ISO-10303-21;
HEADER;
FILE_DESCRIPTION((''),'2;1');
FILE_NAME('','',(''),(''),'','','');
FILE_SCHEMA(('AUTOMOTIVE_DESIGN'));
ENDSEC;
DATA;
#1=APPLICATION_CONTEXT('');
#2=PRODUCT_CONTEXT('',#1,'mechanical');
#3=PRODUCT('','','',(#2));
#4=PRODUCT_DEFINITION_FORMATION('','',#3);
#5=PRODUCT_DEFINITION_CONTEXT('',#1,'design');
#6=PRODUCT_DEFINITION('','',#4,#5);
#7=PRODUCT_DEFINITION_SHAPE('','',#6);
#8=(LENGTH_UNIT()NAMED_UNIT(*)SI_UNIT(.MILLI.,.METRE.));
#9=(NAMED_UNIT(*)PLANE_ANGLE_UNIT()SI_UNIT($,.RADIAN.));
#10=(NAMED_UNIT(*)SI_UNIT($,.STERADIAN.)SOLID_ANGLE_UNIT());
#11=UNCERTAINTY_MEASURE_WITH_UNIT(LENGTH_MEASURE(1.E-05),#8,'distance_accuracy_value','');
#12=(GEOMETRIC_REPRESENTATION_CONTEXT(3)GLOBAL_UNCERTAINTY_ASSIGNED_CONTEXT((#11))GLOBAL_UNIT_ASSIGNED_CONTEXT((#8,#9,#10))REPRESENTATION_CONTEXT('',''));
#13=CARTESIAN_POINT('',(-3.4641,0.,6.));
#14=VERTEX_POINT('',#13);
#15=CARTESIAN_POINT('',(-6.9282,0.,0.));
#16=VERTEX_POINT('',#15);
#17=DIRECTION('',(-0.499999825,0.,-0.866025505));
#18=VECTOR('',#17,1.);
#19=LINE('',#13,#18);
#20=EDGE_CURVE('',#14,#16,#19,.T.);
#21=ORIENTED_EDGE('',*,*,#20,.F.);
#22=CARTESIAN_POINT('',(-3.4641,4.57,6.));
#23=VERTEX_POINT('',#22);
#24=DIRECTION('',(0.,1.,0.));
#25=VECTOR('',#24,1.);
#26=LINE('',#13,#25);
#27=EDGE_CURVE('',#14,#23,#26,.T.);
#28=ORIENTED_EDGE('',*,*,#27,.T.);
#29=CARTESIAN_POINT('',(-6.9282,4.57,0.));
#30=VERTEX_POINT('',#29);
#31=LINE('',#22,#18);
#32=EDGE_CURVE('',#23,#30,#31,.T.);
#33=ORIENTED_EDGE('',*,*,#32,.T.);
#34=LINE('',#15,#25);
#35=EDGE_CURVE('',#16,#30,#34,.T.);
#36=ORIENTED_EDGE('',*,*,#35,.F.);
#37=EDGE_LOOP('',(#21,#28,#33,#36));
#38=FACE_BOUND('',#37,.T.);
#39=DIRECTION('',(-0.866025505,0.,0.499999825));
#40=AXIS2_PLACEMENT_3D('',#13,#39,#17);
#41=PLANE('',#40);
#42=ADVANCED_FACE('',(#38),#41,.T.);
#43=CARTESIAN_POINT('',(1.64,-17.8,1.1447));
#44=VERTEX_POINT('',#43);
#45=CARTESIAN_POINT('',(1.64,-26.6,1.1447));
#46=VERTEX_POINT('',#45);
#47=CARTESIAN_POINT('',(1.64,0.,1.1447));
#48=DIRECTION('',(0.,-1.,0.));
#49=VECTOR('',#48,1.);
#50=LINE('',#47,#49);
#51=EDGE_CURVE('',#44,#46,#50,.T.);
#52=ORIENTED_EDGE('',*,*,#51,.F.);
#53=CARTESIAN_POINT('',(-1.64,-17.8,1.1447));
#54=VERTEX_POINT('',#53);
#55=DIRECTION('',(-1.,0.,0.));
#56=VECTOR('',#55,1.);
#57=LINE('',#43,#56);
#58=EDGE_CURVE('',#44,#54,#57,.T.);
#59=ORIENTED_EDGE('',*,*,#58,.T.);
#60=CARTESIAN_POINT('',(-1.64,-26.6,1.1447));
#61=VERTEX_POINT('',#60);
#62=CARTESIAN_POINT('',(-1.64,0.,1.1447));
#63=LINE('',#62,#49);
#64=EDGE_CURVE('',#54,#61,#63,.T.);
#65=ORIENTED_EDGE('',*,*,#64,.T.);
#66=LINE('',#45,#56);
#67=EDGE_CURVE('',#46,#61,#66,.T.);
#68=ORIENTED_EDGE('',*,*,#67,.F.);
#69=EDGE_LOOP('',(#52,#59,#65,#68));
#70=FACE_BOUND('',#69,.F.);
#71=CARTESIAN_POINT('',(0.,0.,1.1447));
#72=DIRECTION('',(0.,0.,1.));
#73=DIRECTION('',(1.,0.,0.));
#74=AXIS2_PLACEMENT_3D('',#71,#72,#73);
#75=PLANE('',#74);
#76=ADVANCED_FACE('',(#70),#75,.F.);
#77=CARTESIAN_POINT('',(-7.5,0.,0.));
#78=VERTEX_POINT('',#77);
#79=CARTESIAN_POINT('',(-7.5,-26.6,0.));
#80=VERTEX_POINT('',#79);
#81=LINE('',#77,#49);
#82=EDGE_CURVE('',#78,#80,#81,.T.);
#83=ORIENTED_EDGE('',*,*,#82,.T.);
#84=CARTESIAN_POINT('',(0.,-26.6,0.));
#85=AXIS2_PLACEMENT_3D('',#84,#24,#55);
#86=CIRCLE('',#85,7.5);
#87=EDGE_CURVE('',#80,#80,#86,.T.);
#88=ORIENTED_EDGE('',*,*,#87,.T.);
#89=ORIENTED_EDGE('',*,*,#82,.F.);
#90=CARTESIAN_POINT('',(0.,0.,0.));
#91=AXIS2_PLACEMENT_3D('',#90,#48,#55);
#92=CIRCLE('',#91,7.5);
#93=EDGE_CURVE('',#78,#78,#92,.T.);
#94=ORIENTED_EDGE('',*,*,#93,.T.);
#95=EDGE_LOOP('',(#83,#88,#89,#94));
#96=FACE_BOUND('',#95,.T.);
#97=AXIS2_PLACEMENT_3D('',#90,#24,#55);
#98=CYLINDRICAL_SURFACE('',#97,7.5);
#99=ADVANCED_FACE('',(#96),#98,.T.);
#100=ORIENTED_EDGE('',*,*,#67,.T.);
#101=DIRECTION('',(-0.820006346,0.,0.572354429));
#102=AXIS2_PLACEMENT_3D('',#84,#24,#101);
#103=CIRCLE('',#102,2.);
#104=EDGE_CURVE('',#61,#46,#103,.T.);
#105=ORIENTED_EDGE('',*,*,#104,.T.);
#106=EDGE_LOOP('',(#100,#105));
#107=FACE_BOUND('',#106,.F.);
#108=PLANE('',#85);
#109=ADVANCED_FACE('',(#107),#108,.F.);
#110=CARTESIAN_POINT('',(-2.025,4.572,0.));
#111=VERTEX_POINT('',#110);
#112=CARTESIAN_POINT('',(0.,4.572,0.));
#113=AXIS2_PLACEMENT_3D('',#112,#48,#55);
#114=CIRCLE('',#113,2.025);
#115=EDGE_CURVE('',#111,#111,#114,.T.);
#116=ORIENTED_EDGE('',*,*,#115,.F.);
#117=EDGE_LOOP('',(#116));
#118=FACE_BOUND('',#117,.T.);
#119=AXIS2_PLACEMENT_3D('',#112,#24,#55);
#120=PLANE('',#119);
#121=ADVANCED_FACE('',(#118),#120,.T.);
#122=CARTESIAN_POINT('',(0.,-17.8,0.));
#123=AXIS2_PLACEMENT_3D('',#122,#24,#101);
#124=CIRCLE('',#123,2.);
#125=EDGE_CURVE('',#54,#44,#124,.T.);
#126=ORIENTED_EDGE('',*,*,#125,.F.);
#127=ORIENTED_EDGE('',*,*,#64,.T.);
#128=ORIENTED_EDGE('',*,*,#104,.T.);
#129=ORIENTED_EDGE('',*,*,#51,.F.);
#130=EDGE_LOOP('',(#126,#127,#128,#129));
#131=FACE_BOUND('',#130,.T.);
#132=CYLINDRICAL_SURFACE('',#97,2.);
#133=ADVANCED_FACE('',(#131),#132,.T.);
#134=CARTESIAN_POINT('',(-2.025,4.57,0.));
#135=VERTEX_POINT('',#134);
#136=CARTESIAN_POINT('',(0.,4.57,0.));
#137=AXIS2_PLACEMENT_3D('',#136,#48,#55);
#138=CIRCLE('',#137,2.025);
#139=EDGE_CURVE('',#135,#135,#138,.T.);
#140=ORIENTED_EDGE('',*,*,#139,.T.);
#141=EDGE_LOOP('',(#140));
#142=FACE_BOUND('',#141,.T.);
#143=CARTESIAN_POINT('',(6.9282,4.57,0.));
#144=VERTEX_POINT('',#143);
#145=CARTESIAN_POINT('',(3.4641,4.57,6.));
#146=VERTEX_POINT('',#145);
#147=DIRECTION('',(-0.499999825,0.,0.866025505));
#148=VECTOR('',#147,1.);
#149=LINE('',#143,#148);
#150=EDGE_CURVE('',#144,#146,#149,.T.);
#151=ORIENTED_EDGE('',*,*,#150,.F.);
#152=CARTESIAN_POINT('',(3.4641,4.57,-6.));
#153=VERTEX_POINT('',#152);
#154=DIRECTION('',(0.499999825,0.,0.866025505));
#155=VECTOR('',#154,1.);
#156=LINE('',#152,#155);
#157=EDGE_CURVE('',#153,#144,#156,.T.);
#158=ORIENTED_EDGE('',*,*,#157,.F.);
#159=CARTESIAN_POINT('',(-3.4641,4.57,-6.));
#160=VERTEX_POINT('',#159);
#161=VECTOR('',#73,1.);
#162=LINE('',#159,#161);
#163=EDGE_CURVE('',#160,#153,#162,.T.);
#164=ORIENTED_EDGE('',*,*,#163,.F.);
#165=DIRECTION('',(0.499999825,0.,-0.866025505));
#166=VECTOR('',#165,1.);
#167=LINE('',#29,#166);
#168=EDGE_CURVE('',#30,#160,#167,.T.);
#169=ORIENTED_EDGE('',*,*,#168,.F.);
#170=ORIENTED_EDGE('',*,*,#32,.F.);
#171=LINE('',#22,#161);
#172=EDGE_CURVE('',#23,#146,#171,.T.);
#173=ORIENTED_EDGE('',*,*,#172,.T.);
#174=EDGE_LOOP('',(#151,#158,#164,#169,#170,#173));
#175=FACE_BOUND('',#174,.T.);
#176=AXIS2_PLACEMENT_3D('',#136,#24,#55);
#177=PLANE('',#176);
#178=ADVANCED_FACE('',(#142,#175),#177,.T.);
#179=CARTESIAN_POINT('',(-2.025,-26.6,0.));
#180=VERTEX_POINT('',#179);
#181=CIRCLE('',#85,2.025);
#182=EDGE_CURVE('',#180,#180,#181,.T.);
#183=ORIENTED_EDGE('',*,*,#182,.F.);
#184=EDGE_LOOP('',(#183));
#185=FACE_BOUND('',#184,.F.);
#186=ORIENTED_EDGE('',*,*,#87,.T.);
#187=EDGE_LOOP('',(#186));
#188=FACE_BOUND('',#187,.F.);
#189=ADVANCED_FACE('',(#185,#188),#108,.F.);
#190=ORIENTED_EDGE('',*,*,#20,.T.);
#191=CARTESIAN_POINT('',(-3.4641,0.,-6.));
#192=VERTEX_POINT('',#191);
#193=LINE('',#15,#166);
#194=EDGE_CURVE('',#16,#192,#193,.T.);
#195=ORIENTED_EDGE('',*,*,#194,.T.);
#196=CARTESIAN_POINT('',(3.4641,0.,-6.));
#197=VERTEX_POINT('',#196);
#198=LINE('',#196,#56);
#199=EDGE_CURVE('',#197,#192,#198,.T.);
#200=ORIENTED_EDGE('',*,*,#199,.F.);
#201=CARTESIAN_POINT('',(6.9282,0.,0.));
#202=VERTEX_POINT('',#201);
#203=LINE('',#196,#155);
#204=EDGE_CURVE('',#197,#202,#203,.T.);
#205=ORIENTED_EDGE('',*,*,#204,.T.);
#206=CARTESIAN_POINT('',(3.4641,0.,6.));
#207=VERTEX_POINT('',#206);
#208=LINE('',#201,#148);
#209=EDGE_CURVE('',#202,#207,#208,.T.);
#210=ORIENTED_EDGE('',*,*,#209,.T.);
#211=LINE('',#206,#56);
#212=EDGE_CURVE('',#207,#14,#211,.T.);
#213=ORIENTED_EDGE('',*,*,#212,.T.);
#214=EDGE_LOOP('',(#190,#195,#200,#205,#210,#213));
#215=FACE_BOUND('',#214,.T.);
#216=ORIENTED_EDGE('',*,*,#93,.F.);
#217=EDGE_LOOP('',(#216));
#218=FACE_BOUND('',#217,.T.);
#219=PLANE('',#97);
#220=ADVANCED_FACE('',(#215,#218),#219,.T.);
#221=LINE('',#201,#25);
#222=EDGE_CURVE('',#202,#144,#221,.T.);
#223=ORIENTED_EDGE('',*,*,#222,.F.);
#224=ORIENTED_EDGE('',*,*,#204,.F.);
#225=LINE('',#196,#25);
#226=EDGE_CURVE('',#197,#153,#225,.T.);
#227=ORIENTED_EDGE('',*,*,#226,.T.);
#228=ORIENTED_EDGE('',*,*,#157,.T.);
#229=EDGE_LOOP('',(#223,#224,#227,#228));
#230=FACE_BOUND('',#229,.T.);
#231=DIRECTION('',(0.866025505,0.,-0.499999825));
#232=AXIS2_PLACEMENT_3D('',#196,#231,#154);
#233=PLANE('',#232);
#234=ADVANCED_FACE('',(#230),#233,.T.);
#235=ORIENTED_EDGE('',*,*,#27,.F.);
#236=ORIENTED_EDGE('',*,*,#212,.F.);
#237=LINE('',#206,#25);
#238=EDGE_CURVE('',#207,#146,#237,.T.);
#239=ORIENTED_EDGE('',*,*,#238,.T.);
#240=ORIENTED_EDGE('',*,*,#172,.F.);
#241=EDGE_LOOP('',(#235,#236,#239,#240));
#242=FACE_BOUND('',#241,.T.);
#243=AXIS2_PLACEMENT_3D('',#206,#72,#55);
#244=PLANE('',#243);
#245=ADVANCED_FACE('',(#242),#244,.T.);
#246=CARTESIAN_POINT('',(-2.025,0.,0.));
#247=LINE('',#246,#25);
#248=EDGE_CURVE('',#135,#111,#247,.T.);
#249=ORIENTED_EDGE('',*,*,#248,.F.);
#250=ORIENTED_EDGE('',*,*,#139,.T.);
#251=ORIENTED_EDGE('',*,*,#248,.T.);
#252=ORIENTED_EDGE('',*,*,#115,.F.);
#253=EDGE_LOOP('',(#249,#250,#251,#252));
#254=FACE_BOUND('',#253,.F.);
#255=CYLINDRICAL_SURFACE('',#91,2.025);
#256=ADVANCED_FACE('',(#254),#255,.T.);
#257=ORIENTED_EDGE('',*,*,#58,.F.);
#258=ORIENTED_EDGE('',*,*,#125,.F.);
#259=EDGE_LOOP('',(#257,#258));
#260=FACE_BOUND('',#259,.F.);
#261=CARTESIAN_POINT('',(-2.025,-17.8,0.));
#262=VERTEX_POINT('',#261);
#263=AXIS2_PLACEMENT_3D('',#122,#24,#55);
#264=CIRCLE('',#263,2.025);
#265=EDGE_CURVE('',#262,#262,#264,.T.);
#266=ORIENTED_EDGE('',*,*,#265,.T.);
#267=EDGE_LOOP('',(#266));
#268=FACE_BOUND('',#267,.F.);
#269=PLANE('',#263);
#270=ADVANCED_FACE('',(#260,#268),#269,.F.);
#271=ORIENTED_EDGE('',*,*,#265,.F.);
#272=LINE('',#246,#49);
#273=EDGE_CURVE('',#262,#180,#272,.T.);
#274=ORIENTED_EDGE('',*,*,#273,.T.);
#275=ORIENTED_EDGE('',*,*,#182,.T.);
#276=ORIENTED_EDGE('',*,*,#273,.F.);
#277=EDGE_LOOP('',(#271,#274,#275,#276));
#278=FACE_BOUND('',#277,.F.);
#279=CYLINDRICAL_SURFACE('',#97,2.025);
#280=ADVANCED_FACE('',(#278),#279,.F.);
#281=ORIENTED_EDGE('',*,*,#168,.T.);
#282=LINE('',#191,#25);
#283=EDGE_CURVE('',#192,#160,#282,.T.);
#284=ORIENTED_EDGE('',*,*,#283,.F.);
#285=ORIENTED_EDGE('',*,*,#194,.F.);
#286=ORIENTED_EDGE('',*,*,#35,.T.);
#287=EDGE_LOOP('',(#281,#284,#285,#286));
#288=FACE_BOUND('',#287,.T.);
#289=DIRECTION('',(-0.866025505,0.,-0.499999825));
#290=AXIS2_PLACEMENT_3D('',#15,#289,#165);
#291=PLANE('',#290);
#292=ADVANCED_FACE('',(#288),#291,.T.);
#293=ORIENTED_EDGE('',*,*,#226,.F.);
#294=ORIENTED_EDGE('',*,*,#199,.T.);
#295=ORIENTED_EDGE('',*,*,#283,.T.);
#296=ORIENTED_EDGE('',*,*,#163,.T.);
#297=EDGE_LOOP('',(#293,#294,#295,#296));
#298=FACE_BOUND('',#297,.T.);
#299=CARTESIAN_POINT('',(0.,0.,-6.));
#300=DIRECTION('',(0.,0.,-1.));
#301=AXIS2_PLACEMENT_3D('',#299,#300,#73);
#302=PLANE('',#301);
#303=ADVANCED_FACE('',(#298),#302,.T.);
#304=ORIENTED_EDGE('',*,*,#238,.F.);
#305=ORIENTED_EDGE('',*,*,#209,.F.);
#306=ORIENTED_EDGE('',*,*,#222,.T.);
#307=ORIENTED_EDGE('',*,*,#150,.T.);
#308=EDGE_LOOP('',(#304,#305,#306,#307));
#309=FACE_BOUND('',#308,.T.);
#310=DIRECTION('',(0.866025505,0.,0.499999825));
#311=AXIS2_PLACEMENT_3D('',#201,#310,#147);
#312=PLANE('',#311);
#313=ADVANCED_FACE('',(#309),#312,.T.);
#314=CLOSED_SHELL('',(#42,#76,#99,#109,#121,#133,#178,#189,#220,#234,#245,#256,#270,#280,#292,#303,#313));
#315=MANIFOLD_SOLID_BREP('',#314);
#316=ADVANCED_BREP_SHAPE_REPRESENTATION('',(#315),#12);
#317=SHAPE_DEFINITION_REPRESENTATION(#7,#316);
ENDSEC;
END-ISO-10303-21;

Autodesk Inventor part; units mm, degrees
ref_plane "YZ Plane" through (0, 0, 0) normal (1, 0, 0) x (0, 1, 0)
ref_plane "XZ Plane" through (0, 0, 0) normal (0, 1, 0) x (-1, 0, 0)
ref_plane "XY Plane" through (0, 0, 0) normal (0, 0, 1) x (1, 0, 0)
sketch "Sketch1" plane through (0, 0, 0) normal (0, 1, 0) x (-1, 0, 0)
  line L0 (-3.4641, -6) -> (-6.9282, 0)
  line L1 (-6.9282, 0) -> (-3.4641, 6)
  line L2 (-3.4641, 6) -> (3.4641, 6)
  line L3 (3.4641, 6) -> (6.9282, 0)
  line L4 (6.9282, 0) -> (3.4641, -6)
  line L5 (3.4641, -6) -> (-3.4641, -6)
  line L6 (10.5, 0) -> (-10.5, 0) projected
  line L7 (0, -10.5) -> (0, 10.5) projected
  circle A0 centre (0, 0) radius 2
  arc A1 (0.4459, -1.9497) -> (0.4459, -1.9497) centre (0, 0) ccw
  line L8 (1.64, 1.1447) -> (-1.64, 1.1447)
  circle A2 centre (0, 0) radius 2.025
  circle A3 centre (0, 0) radius 7.5
  dimension "d2" = 4
  dimension "d6" = 4.05
  dimension "d33" = 15
  dimension "d36" = 3.28
  dimension "d37" = 12
extrude "Extrusion1" add sketch "Sketch1" along normal blind 4.57 contours L0 L6 A2 L7 L5 | L1 L2 L7 A2 L6 | L7 A2 L6 L4 L5 | L6 A0 L7 A2 | L7 A0 L6 A2 | L2 L3 L6 A2 L7 picked at (-1.8669, -0.7323) picked at (1.9162, -0.5914)
extrude "Extrusion6" add sketch "Sketch1" along normal blind 4.572 contours A2 L7 A0 L6 | L6 A0 L7 A2 | L7 A0 L6 A2 | A0 L8 L7 L6 | L6 L7 A0 | A2 L6 A0 L7 | L7 L6 A0 | L7 L8 A0 L6 | A0 L7 L8 | A0 L8 L7
extrude "Extrusion11" add sketch "Sketch1" against normal blind 17.8 contours A2 L7 A0 L6 | L6 A0 L7 A2 | L7 A0 L6 A2 | A0 L8 L7 L6 | L6 L7 A0 | A2 L6 A0 L7 | L7 L6 A0 | L7 L8 A0 L6 | A0 L7 L8 | A0 L8 L7
extrude "Extrusion12" add sketch "Sketch1" against normal blind 26.6 contours A2 L7 A0 L6 | A2 L6 A0 L7 | A0 L7 L8 | A0 L8 L7 picked at (-1.5145, 1.3032) picked at (1.5145, 1.3032)
extrude "Extrusion13" add sketch "Sketch1" against normal blind 26.6 contours L5 L7 A3 L6 L0 | L0 L6 A2 L7 L5 | L6 A3 L7 L2 L1 | L1 L2 L7 A2 L6 | L7 A2 L6 L4 L5 | L5 L4 L6 A3 L7 | L7 A3 L6 L3 L2 | L2 L3 L6 A2 L7
properties part number "wheel connector"
